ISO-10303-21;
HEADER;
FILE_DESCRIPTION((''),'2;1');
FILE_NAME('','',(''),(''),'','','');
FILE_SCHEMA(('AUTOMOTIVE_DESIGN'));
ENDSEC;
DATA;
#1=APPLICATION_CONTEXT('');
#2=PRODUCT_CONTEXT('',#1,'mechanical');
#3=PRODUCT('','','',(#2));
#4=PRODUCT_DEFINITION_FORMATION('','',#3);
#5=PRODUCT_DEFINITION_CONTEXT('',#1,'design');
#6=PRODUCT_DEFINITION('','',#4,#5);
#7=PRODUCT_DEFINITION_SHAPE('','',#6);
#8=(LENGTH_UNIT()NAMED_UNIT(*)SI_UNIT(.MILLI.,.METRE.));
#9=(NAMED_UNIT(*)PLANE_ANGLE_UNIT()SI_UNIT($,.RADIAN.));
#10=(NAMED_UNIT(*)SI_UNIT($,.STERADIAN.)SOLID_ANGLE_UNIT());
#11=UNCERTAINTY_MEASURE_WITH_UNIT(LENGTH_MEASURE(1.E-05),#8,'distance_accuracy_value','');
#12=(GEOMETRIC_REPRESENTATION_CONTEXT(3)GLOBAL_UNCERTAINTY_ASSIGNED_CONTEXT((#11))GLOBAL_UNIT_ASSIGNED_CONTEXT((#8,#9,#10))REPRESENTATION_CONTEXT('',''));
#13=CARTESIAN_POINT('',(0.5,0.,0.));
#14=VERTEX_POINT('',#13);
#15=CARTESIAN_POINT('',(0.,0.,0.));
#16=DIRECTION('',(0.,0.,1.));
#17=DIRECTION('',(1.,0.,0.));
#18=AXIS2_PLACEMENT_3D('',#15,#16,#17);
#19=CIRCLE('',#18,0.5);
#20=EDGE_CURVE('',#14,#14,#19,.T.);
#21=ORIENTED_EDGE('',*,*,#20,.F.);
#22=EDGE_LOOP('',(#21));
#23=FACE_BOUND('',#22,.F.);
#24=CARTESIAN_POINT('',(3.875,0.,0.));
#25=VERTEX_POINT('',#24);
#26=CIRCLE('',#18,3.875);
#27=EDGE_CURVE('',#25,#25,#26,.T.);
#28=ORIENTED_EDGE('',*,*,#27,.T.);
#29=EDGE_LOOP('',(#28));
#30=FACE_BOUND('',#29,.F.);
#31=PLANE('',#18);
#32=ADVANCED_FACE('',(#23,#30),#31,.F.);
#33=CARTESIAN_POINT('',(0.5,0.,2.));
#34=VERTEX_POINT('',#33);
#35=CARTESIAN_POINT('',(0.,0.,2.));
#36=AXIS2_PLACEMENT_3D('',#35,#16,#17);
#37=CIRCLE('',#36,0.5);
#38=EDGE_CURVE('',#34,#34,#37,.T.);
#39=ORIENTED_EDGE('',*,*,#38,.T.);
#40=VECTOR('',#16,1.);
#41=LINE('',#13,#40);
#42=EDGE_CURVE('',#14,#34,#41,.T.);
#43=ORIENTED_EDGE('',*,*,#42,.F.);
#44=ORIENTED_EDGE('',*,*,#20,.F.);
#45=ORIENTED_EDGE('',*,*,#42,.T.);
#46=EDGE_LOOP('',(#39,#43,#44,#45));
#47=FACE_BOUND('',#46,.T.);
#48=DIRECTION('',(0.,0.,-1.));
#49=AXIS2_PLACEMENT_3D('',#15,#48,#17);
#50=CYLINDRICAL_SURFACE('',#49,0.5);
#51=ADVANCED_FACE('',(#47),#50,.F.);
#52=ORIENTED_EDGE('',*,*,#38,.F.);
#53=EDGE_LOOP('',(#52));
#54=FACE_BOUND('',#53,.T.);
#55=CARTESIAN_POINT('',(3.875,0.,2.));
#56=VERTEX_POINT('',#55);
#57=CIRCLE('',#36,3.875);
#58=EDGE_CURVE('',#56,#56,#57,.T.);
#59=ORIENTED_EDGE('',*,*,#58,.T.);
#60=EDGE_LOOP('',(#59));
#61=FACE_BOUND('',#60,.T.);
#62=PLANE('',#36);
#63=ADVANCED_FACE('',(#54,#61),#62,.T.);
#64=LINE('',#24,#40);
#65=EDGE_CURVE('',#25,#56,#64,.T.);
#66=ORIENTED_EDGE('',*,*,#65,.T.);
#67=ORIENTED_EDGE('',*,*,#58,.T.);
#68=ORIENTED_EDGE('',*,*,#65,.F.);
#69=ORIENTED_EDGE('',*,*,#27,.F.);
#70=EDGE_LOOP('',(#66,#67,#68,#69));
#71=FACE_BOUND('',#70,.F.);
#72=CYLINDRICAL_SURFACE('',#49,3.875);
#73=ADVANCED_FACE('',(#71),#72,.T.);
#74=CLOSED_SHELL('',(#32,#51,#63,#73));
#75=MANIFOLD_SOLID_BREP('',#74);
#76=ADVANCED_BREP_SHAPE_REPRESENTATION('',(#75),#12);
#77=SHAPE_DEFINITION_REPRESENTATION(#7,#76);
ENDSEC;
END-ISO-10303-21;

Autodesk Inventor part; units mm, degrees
ref_plane "YZ Plane" through (0, 0, 0) normal (1, 0, 0) x (0, 1, 0)
ref_plane "XZ Plane" through (0, 0, 0) normal (0, 1, 0) x (-1, 0, 0)
ref_plane "XY Plane" through (0, 0, 0) normal (0, 0, 1) x (1, 0, 0)
sketch "Sketch1" plane through (0, 0, 0) normal (0, 0, 1) x (1, 0, 0)
  circle A0 centre (0, 0) radius 0.5
  circle A1 centre (0, 0) radius 3.875
  dimension "d0" = 1
  dimension "d1" = 7.75
extrude "Extrusion1" add sketch "Sketch1" along normal blind 2
properties part number "Pololu_EncoderMagnes"
